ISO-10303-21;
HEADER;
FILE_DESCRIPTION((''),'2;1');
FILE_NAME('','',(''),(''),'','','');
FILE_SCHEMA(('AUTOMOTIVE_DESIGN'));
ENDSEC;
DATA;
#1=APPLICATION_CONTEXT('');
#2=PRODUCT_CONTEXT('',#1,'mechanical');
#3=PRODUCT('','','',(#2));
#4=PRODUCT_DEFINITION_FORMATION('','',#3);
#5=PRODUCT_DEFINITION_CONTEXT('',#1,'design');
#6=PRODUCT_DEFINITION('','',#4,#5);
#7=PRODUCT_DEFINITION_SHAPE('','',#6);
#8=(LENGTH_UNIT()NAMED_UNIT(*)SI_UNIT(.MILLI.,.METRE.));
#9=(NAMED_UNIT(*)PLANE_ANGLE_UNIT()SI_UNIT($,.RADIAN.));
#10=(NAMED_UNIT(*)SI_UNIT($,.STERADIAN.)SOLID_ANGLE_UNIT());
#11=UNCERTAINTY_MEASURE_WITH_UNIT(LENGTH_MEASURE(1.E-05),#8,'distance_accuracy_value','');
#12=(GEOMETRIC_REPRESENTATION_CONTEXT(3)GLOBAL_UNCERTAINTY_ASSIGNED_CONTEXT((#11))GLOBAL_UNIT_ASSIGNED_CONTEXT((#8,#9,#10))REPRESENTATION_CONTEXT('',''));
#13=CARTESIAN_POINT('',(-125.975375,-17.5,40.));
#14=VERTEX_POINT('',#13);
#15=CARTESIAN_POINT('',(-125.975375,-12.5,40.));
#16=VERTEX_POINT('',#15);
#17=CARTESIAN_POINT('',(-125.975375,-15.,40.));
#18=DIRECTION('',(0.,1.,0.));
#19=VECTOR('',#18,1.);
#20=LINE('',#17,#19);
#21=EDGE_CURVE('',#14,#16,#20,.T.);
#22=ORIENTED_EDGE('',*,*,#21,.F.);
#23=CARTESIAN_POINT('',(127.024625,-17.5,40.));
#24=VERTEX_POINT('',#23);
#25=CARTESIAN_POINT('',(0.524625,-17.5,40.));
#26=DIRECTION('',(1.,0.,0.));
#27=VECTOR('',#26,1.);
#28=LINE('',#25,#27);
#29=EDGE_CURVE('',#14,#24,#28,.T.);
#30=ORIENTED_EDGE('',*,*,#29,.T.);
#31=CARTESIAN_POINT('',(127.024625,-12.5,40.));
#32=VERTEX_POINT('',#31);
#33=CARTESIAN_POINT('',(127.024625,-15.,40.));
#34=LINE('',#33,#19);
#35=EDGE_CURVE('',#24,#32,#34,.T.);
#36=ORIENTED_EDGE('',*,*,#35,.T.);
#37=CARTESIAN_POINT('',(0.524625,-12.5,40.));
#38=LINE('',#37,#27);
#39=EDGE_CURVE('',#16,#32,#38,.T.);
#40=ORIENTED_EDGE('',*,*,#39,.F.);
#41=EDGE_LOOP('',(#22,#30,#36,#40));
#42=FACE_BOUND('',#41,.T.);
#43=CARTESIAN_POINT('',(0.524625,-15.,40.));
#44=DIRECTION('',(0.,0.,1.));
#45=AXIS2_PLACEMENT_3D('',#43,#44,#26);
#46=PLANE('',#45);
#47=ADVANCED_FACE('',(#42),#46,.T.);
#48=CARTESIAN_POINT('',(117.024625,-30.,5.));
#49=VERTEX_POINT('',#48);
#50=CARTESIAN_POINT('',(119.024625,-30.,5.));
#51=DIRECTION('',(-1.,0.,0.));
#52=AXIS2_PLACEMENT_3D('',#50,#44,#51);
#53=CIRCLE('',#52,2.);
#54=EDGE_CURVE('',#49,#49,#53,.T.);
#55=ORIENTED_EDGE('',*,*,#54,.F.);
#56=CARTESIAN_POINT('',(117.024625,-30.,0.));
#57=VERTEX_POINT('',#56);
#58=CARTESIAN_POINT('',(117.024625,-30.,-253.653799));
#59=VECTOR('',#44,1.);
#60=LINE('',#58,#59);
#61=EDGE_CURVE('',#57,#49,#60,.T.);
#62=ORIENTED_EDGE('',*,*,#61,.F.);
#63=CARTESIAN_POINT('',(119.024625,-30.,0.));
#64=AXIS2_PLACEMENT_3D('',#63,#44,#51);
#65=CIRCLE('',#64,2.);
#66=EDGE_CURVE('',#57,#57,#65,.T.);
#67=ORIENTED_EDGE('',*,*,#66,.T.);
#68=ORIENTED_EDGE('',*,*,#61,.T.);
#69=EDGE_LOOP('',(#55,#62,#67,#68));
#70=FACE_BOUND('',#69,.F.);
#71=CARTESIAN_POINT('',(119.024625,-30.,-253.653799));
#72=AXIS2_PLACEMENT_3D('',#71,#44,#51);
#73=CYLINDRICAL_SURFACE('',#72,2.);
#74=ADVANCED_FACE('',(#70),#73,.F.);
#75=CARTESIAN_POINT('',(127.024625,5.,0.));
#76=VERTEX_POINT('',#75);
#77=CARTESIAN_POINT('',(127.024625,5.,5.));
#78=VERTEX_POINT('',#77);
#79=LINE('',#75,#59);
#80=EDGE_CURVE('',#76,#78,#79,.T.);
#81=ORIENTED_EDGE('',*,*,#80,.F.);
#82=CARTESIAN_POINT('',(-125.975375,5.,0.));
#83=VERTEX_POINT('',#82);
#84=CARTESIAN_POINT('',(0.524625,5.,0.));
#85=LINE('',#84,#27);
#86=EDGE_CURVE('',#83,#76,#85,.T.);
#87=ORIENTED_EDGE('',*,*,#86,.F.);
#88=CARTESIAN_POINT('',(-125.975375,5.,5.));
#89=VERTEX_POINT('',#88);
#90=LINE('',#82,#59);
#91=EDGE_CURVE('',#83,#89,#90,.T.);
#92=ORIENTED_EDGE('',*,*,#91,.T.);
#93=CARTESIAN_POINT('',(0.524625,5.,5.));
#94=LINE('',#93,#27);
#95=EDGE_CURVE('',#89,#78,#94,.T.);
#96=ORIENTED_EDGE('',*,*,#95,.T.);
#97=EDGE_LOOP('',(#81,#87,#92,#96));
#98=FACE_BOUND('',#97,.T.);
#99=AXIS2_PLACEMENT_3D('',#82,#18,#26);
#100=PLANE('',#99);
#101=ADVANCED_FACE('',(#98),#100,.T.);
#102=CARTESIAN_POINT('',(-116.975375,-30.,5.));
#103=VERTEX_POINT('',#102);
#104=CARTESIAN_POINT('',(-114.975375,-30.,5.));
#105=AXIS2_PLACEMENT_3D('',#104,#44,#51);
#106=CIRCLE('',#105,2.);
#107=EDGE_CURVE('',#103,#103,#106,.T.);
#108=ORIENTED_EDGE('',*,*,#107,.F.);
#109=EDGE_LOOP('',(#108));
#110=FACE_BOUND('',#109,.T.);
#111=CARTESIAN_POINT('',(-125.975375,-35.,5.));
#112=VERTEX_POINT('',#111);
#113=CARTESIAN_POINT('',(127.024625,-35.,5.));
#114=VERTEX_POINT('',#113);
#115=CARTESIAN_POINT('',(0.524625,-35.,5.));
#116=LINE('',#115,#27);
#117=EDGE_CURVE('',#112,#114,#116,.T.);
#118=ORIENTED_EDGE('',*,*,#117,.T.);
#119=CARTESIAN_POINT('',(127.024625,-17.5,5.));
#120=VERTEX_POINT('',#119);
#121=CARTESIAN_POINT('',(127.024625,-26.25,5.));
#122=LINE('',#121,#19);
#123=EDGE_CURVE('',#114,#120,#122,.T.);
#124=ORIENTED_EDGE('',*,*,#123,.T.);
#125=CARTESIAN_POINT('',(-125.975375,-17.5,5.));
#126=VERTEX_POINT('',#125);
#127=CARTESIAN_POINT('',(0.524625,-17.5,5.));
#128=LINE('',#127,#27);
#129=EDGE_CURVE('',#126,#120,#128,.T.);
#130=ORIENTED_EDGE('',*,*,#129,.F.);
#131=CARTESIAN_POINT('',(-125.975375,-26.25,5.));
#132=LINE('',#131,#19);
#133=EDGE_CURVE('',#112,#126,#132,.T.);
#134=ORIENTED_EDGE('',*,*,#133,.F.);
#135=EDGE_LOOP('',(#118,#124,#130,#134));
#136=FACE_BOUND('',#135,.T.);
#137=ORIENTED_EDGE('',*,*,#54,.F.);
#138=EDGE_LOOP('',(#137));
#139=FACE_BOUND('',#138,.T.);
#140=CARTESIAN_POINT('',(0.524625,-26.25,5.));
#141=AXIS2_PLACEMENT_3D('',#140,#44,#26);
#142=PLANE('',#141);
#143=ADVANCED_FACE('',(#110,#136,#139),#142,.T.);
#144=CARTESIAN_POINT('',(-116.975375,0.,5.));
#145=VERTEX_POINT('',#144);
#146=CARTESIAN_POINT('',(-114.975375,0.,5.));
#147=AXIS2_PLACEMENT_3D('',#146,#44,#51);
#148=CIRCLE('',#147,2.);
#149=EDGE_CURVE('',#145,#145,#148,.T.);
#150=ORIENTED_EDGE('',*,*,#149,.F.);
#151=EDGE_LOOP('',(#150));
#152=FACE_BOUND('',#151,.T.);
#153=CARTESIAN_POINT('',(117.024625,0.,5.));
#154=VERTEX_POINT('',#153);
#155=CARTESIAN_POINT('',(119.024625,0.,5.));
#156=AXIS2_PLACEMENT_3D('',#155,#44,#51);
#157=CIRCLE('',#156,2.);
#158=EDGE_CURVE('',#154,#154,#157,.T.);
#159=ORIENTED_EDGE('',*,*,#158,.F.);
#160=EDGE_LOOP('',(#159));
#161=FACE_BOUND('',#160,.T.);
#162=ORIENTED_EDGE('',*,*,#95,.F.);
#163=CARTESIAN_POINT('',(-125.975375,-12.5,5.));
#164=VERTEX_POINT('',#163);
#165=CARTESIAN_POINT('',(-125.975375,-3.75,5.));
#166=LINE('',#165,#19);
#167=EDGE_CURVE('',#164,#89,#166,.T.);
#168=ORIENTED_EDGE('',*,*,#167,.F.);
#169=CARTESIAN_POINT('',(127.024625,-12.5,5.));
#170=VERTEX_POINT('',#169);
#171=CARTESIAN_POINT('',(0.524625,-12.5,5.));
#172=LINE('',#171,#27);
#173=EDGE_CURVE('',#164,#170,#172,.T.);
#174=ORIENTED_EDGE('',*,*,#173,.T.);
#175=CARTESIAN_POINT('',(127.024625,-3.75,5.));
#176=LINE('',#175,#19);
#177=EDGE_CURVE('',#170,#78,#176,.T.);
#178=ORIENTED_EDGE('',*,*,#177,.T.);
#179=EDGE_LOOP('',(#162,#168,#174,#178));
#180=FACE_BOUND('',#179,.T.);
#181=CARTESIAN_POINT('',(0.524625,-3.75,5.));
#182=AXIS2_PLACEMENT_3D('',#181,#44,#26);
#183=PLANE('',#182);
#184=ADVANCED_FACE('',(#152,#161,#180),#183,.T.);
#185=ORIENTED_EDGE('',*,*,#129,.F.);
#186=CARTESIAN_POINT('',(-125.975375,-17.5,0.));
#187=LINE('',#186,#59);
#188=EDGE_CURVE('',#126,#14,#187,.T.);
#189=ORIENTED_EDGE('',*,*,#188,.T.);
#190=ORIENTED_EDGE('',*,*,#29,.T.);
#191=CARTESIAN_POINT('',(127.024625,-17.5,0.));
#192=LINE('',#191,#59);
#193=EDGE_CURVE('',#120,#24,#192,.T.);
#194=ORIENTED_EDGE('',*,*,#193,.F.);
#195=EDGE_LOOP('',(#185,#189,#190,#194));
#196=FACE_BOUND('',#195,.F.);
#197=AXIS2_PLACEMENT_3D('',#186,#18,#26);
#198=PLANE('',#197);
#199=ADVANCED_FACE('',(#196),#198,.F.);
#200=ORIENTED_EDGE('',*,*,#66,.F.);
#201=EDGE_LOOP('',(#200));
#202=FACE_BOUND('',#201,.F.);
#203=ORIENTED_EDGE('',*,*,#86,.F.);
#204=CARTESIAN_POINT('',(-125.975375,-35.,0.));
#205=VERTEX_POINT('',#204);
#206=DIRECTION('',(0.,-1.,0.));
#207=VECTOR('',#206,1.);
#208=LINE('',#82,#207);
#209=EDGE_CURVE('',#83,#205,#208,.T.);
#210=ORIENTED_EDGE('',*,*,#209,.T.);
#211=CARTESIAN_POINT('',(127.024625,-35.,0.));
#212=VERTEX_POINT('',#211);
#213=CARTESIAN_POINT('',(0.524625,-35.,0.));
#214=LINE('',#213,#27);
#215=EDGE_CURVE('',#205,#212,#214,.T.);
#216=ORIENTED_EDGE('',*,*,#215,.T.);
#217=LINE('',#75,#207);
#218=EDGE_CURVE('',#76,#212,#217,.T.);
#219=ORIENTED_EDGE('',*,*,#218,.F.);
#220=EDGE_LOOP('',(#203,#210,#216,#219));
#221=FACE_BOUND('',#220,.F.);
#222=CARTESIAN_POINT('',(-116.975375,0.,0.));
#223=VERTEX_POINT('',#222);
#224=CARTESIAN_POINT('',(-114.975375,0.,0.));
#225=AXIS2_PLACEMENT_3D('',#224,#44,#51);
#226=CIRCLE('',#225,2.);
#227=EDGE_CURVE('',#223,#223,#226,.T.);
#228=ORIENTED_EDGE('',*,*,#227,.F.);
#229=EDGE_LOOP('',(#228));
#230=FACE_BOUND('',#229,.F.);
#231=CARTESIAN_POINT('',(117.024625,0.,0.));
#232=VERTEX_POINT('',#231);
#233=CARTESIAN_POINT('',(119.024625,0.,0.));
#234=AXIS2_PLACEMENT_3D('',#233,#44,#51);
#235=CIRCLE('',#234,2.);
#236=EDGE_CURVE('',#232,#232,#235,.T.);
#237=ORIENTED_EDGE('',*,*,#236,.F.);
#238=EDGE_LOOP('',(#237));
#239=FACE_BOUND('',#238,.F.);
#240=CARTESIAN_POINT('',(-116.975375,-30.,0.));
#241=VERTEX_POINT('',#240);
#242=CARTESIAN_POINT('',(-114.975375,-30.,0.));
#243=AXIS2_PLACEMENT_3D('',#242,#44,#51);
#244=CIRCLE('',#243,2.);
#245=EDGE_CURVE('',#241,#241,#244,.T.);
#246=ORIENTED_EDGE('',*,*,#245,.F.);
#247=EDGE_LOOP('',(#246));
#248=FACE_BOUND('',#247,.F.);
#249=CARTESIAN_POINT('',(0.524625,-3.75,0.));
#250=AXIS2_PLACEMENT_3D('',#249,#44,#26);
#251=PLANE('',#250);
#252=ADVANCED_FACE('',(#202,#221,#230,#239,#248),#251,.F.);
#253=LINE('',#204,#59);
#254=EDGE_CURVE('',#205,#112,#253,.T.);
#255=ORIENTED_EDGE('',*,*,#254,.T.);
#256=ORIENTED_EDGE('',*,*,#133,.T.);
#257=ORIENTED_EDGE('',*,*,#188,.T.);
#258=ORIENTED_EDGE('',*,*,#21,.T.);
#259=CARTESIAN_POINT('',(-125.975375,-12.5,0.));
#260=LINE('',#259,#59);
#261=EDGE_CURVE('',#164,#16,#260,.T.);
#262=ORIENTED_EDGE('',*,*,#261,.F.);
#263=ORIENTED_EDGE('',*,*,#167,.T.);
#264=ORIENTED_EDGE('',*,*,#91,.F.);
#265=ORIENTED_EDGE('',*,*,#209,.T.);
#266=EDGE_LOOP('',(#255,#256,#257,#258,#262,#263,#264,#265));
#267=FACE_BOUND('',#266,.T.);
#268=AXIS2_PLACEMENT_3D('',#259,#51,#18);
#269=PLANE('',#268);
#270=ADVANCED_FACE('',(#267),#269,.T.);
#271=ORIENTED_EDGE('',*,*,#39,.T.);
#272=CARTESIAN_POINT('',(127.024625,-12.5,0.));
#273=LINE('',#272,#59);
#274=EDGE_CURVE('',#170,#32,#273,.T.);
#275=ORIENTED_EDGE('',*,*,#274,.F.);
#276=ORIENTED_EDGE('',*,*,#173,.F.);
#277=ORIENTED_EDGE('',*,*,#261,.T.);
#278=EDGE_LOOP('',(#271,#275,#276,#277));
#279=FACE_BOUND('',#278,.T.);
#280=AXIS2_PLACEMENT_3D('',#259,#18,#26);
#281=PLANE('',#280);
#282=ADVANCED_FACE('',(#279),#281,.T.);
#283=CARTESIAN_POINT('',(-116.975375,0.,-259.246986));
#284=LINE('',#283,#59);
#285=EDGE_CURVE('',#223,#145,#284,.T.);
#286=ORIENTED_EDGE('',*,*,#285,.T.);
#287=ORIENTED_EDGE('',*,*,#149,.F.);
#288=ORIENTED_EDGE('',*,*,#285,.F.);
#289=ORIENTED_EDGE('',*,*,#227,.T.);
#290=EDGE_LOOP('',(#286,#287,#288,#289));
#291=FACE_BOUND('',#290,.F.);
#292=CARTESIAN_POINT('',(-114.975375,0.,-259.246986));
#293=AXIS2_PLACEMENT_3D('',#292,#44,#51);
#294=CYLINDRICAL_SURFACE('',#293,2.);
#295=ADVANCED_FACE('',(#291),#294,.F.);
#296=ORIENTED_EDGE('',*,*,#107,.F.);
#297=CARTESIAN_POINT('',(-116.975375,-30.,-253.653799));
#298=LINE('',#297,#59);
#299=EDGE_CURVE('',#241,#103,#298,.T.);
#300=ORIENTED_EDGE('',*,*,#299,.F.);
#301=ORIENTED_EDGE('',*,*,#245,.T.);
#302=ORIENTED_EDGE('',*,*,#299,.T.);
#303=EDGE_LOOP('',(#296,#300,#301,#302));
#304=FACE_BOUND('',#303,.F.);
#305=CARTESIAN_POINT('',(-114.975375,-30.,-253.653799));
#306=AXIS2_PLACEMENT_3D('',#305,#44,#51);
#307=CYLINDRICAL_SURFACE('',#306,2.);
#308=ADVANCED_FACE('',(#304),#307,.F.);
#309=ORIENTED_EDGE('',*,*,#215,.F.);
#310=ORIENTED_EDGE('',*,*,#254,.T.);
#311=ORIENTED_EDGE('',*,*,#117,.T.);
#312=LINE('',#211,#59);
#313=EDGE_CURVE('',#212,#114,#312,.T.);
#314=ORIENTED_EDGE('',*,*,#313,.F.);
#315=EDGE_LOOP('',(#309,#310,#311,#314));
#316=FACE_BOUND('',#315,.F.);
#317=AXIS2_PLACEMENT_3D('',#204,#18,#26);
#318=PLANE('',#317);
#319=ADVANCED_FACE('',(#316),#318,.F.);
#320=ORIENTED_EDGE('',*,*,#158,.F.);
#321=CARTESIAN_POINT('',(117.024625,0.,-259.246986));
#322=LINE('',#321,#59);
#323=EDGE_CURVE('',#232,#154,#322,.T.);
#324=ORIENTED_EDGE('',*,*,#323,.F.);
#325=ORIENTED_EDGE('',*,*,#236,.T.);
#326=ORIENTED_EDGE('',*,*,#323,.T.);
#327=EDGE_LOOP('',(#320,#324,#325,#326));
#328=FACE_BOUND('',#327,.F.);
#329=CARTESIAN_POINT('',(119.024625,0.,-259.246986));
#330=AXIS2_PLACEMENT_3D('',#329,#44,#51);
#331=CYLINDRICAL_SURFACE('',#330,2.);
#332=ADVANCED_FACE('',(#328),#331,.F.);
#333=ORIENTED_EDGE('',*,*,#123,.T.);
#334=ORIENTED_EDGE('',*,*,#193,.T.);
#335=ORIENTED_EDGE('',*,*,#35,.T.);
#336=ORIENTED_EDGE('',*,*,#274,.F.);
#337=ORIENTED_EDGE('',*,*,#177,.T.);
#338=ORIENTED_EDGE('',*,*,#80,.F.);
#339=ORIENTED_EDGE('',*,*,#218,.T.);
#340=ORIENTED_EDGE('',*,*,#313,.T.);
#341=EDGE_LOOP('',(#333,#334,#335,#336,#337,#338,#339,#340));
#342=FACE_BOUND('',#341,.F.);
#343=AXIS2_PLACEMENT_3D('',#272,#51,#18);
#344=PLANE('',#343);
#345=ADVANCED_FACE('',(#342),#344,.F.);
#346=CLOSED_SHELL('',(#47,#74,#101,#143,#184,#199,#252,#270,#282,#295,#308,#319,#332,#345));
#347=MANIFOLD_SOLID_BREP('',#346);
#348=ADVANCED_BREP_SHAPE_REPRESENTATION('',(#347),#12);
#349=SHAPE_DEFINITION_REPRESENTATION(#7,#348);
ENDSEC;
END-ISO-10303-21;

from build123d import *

# Parameters (mm, degrees)
F0_W     = 253
F0_H     = 17.5
F1_DEPTH = 5
F2_D     = 4
F0_H_2   = 5
F3_DEPTH = 40
F4_DEPTH = 5
F5_D     = 4


with BuildPart() as f1:
    # F0 (on Top) → F1 (new body)
    with BuildSketch(Plane.XY):
        with Locations((0.5246251822, -26.25)):
            Rectangle(F0_W, F0_H)
    extrude(amount=F1_DEPTH)

    # F2 (through all)
    with Locations(Plane(origin=(0, 0, 0), x_dir=(1, 0, 0), z_dir=(0, 0, -1))):
        with Locations((-114.9753748178, 0), (-114.9753748178, 30), (119.0246251822, 30), (119.0246251822, 0)):
            Hole(F2_D / 2)

    # F0 (on Top) → F3 (join)
    with BuildSketch(Plane.XY):
        with Locations((0.5246251822, -15)):
            Rectangle(F0_W, F0_H_2)
    extrude(amount=F3_DEPTH)

    # F0 (on Top) → F4 (join)
    with BuildSketch(Plane.XY):
        with Locations((0.5246251822, -3.75)):
            Rectangle(F0_W, F0_H)
    extrude(amount=F4_DEPTH)

    # F5 (through all)
    with Locations(Plane(origin=(0, 0, 0), x_dir=(1, 0, 0), z_dir=(0, 0, -1))):
        with Locations((-114.9753748178, 0), (119.0246251822, 0)):
            Hole(F5_D / 2)


solid = f1.part
